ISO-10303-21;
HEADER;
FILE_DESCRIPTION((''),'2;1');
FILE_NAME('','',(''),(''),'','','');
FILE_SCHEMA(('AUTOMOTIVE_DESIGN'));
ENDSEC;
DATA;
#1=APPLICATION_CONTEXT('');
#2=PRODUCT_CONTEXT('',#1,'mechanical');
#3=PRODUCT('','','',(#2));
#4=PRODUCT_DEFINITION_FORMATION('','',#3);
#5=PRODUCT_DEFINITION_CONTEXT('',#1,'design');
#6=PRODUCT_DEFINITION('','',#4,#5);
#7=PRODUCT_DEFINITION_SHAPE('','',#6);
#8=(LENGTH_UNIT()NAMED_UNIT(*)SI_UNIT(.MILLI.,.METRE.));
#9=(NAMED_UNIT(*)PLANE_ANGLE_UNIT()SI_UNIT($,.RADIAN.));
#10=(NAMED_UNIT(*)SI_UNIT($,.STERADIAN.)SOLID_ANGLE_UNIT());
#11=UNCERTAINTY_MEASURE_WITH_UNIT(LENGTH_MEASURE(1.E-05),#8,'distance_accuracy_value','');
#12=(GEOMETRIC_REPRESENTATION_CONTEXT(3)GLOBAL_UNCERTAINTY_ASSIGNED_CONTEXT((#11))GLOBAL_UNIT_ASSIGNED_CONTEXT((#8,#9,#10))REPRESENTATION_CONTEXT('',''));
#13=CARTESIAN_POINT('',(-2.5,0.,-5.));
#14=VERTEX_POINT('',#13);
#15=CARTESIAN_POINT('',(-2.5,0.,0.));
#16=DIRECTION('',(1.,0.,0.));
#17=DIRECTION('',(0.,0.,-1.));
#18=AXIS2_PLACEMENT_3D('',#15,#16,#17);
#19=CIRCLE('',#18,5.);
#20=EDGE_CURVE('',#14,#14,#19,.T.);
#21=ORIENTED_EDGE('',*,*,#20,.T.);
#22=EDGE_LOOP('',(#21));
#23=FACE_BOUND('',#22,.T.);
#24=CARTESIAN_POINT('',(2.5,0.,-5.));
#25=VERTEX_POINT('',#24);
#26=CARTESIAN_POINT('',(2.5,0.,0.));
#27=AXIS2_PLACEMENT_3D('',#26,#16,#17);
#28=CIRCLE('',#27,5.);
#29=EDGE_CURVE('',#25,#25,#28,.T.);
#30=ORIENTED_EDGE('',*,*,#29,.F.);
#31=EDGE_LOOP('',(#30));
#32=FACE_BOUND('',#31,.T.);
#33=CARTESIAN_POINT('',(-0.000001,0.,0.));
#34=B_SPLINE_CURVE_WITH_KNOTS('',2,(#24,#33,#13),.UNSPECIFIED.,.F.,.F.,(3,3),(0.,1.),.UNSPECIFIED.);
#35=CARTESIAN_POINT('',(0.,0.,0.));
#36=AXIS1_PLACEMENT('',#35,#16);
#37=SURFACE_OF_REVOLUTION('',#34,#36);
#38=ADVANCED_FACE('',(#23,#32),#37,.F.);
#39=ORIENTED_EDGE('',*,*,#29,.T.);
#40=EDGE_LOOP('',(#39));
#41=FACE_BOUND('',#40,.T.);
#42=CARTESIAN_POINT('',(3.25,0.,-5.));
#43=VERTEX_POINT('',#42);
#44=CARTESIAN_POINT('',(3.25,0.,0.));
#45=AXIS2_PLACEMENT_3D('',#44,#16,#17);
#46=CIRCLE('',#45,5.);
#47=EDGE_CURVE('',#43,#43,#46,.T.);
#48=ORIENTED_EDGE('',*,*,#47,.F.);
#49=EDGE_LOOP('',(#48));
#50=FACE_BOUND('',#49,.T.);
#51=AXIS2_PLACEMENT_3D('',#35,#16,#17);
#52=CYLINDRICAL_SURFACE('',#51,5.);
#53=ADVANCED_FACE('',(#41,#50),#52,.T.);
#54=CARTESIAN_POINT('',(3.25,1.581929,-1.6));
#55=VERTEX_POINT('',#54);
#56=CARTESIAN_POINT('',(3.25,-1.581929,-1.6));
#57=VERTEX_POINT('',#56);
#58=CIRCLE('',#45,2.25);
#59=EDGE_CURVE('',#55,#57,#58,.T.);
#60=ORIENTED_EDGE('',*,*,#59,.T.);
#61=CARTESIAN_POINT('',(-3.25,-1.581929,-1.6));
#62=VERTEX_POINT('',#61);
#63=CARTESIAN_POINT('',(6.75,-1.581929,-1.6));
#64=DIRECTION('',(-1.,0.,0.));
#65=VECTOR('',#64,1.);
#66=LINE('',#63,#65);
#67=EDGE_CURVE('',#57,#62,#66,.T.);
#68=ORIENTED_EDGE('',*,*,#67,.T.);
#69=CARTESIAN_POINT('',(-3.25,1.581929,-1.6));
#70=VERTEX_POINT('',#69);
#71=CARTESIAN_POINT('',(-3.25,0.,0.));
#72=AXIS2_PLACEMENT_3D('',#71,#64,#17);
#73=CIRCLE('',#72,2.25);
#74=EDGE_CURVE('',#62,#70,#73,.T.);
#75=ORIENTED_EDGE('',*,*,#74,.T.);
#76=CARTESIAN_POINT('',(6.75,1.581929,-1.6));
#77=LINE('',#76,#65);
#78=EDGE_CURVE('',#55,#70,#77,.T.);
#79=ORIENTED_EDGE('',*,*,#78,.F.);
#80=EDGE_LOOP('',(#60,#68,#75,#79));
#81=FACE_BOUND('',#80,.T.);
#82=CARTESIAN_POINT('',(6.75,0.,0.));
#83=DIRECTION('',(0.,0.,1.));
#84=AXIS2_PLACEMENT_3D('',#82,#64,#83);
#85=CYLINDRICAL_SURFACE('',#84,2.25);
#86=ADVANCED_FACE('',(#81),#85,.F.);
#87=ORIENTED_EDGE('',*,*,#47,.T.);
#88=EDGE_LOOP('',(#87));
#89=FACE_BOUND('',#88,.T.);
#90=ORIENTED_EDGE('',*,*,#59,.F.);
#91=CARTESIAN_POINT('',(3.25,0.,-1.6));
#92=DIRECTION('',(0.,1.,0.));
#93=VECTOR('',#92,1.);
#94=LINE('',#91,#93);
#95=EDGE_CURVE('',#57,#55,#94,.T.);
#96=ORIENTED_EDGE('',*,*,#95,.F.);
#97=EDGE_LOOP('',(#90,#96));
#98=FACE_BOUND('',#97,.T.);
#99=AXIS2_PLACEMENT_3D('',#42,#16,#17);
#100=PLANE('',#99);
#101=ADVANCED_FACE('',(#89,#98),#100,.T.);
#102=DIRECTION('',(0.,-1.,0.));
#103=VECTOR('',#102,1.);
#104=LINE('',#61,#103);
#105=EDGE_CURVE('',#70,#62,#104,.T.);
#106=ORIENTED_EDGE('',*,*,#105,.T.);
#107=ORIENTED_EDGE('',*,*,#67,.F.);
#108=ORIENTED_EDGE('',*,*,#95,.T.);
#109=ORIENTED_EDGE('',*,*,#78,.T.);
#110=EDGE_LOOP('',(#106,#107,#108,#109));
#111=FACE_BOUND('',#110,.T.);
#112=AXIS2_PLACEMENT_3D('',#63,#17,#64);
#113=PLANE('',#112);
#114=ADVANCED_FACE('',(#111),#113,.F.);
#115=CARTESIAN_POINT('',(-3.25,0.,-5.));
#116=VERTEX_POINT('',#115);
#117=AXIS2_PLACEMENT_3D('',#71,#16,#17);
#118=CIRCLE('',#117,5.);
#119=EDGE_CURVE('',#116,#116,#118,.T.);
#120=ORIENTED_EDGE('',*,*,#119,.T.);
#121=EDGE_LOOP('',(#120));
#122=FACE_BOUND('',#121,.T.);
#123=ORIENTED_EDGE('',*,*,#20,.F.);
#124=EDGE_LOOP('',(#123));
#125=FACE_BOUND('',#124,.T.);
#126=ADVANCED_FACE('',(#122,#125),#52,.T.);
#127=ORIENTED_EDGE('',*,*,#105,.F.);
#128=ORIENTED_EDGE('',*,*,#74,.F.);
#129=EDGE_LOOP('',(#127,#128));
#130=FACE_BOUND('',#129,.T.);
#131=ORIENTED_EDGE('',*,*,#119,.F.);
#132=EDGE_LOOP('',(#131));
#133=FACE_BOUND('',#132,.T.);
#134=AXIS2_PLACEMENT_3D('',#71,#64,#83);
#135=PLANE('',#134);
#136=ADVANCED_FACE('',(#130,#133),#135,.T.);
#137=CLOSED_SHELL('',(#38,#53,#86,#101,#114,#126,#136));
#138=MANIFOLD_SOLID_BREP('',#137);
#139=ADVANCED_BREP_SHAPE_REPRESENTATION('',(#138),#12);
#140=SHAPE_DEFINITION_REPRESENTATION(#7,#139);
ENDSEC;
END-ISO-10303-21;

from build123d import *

# Parameters (mm, degrees)
CUT_EXTRUDE1_DEPTH = 10


with BuildPart() as part:
    # Sketch1 → Revolve1 (revolve)
    with BuildSketch(Plane(origin=(0, 0, 0), x_dir=(1, 0, 0), z_dir=(0, 1, 0))):
        with BuildLine():
            Line((0, 0), (-2.5, 0))
            Line((-2.5, 0), (-3.25, 0))
            Line((-3.25, 0), (-3.25, 5))
            Line((-3.25, 5), (-2.5, 5))
            add(Edge.make_bspline(
                [(-2.5, 5), (-9.44e-07, 0), (2.5, 5)],
                knots=[0, 0, 0, 1, 1, 1], degree=2))
            Line((2.5, 5), (3.25, 5))
            Line((3.25, 5), (3.25, 0))
            Line((3.25, 0), (2.5, 0))
            Line((2.5, 0), (0, 0))
        make_face()
    revolve(axis=Axis((0, 0, 0), (-1, 0, 0)))

    # Sketch2 → Cut-Extrude1 (cut)
    with BuildSketch(Plane.ZY.offset(3.25)):
        with BuildLine():
            Line((-1.6, -1.581929202), (-1.6, 1.581929202))
            ThreePointArc((-1.6, 1.581929202), (2.25, 0), (-1.6, -1.581929202))
        make_face()
    extrude(amount=-CUT_EXTRUDE1_DEPTH, mode=Mode.SUBTRACT)


solid = part.part
